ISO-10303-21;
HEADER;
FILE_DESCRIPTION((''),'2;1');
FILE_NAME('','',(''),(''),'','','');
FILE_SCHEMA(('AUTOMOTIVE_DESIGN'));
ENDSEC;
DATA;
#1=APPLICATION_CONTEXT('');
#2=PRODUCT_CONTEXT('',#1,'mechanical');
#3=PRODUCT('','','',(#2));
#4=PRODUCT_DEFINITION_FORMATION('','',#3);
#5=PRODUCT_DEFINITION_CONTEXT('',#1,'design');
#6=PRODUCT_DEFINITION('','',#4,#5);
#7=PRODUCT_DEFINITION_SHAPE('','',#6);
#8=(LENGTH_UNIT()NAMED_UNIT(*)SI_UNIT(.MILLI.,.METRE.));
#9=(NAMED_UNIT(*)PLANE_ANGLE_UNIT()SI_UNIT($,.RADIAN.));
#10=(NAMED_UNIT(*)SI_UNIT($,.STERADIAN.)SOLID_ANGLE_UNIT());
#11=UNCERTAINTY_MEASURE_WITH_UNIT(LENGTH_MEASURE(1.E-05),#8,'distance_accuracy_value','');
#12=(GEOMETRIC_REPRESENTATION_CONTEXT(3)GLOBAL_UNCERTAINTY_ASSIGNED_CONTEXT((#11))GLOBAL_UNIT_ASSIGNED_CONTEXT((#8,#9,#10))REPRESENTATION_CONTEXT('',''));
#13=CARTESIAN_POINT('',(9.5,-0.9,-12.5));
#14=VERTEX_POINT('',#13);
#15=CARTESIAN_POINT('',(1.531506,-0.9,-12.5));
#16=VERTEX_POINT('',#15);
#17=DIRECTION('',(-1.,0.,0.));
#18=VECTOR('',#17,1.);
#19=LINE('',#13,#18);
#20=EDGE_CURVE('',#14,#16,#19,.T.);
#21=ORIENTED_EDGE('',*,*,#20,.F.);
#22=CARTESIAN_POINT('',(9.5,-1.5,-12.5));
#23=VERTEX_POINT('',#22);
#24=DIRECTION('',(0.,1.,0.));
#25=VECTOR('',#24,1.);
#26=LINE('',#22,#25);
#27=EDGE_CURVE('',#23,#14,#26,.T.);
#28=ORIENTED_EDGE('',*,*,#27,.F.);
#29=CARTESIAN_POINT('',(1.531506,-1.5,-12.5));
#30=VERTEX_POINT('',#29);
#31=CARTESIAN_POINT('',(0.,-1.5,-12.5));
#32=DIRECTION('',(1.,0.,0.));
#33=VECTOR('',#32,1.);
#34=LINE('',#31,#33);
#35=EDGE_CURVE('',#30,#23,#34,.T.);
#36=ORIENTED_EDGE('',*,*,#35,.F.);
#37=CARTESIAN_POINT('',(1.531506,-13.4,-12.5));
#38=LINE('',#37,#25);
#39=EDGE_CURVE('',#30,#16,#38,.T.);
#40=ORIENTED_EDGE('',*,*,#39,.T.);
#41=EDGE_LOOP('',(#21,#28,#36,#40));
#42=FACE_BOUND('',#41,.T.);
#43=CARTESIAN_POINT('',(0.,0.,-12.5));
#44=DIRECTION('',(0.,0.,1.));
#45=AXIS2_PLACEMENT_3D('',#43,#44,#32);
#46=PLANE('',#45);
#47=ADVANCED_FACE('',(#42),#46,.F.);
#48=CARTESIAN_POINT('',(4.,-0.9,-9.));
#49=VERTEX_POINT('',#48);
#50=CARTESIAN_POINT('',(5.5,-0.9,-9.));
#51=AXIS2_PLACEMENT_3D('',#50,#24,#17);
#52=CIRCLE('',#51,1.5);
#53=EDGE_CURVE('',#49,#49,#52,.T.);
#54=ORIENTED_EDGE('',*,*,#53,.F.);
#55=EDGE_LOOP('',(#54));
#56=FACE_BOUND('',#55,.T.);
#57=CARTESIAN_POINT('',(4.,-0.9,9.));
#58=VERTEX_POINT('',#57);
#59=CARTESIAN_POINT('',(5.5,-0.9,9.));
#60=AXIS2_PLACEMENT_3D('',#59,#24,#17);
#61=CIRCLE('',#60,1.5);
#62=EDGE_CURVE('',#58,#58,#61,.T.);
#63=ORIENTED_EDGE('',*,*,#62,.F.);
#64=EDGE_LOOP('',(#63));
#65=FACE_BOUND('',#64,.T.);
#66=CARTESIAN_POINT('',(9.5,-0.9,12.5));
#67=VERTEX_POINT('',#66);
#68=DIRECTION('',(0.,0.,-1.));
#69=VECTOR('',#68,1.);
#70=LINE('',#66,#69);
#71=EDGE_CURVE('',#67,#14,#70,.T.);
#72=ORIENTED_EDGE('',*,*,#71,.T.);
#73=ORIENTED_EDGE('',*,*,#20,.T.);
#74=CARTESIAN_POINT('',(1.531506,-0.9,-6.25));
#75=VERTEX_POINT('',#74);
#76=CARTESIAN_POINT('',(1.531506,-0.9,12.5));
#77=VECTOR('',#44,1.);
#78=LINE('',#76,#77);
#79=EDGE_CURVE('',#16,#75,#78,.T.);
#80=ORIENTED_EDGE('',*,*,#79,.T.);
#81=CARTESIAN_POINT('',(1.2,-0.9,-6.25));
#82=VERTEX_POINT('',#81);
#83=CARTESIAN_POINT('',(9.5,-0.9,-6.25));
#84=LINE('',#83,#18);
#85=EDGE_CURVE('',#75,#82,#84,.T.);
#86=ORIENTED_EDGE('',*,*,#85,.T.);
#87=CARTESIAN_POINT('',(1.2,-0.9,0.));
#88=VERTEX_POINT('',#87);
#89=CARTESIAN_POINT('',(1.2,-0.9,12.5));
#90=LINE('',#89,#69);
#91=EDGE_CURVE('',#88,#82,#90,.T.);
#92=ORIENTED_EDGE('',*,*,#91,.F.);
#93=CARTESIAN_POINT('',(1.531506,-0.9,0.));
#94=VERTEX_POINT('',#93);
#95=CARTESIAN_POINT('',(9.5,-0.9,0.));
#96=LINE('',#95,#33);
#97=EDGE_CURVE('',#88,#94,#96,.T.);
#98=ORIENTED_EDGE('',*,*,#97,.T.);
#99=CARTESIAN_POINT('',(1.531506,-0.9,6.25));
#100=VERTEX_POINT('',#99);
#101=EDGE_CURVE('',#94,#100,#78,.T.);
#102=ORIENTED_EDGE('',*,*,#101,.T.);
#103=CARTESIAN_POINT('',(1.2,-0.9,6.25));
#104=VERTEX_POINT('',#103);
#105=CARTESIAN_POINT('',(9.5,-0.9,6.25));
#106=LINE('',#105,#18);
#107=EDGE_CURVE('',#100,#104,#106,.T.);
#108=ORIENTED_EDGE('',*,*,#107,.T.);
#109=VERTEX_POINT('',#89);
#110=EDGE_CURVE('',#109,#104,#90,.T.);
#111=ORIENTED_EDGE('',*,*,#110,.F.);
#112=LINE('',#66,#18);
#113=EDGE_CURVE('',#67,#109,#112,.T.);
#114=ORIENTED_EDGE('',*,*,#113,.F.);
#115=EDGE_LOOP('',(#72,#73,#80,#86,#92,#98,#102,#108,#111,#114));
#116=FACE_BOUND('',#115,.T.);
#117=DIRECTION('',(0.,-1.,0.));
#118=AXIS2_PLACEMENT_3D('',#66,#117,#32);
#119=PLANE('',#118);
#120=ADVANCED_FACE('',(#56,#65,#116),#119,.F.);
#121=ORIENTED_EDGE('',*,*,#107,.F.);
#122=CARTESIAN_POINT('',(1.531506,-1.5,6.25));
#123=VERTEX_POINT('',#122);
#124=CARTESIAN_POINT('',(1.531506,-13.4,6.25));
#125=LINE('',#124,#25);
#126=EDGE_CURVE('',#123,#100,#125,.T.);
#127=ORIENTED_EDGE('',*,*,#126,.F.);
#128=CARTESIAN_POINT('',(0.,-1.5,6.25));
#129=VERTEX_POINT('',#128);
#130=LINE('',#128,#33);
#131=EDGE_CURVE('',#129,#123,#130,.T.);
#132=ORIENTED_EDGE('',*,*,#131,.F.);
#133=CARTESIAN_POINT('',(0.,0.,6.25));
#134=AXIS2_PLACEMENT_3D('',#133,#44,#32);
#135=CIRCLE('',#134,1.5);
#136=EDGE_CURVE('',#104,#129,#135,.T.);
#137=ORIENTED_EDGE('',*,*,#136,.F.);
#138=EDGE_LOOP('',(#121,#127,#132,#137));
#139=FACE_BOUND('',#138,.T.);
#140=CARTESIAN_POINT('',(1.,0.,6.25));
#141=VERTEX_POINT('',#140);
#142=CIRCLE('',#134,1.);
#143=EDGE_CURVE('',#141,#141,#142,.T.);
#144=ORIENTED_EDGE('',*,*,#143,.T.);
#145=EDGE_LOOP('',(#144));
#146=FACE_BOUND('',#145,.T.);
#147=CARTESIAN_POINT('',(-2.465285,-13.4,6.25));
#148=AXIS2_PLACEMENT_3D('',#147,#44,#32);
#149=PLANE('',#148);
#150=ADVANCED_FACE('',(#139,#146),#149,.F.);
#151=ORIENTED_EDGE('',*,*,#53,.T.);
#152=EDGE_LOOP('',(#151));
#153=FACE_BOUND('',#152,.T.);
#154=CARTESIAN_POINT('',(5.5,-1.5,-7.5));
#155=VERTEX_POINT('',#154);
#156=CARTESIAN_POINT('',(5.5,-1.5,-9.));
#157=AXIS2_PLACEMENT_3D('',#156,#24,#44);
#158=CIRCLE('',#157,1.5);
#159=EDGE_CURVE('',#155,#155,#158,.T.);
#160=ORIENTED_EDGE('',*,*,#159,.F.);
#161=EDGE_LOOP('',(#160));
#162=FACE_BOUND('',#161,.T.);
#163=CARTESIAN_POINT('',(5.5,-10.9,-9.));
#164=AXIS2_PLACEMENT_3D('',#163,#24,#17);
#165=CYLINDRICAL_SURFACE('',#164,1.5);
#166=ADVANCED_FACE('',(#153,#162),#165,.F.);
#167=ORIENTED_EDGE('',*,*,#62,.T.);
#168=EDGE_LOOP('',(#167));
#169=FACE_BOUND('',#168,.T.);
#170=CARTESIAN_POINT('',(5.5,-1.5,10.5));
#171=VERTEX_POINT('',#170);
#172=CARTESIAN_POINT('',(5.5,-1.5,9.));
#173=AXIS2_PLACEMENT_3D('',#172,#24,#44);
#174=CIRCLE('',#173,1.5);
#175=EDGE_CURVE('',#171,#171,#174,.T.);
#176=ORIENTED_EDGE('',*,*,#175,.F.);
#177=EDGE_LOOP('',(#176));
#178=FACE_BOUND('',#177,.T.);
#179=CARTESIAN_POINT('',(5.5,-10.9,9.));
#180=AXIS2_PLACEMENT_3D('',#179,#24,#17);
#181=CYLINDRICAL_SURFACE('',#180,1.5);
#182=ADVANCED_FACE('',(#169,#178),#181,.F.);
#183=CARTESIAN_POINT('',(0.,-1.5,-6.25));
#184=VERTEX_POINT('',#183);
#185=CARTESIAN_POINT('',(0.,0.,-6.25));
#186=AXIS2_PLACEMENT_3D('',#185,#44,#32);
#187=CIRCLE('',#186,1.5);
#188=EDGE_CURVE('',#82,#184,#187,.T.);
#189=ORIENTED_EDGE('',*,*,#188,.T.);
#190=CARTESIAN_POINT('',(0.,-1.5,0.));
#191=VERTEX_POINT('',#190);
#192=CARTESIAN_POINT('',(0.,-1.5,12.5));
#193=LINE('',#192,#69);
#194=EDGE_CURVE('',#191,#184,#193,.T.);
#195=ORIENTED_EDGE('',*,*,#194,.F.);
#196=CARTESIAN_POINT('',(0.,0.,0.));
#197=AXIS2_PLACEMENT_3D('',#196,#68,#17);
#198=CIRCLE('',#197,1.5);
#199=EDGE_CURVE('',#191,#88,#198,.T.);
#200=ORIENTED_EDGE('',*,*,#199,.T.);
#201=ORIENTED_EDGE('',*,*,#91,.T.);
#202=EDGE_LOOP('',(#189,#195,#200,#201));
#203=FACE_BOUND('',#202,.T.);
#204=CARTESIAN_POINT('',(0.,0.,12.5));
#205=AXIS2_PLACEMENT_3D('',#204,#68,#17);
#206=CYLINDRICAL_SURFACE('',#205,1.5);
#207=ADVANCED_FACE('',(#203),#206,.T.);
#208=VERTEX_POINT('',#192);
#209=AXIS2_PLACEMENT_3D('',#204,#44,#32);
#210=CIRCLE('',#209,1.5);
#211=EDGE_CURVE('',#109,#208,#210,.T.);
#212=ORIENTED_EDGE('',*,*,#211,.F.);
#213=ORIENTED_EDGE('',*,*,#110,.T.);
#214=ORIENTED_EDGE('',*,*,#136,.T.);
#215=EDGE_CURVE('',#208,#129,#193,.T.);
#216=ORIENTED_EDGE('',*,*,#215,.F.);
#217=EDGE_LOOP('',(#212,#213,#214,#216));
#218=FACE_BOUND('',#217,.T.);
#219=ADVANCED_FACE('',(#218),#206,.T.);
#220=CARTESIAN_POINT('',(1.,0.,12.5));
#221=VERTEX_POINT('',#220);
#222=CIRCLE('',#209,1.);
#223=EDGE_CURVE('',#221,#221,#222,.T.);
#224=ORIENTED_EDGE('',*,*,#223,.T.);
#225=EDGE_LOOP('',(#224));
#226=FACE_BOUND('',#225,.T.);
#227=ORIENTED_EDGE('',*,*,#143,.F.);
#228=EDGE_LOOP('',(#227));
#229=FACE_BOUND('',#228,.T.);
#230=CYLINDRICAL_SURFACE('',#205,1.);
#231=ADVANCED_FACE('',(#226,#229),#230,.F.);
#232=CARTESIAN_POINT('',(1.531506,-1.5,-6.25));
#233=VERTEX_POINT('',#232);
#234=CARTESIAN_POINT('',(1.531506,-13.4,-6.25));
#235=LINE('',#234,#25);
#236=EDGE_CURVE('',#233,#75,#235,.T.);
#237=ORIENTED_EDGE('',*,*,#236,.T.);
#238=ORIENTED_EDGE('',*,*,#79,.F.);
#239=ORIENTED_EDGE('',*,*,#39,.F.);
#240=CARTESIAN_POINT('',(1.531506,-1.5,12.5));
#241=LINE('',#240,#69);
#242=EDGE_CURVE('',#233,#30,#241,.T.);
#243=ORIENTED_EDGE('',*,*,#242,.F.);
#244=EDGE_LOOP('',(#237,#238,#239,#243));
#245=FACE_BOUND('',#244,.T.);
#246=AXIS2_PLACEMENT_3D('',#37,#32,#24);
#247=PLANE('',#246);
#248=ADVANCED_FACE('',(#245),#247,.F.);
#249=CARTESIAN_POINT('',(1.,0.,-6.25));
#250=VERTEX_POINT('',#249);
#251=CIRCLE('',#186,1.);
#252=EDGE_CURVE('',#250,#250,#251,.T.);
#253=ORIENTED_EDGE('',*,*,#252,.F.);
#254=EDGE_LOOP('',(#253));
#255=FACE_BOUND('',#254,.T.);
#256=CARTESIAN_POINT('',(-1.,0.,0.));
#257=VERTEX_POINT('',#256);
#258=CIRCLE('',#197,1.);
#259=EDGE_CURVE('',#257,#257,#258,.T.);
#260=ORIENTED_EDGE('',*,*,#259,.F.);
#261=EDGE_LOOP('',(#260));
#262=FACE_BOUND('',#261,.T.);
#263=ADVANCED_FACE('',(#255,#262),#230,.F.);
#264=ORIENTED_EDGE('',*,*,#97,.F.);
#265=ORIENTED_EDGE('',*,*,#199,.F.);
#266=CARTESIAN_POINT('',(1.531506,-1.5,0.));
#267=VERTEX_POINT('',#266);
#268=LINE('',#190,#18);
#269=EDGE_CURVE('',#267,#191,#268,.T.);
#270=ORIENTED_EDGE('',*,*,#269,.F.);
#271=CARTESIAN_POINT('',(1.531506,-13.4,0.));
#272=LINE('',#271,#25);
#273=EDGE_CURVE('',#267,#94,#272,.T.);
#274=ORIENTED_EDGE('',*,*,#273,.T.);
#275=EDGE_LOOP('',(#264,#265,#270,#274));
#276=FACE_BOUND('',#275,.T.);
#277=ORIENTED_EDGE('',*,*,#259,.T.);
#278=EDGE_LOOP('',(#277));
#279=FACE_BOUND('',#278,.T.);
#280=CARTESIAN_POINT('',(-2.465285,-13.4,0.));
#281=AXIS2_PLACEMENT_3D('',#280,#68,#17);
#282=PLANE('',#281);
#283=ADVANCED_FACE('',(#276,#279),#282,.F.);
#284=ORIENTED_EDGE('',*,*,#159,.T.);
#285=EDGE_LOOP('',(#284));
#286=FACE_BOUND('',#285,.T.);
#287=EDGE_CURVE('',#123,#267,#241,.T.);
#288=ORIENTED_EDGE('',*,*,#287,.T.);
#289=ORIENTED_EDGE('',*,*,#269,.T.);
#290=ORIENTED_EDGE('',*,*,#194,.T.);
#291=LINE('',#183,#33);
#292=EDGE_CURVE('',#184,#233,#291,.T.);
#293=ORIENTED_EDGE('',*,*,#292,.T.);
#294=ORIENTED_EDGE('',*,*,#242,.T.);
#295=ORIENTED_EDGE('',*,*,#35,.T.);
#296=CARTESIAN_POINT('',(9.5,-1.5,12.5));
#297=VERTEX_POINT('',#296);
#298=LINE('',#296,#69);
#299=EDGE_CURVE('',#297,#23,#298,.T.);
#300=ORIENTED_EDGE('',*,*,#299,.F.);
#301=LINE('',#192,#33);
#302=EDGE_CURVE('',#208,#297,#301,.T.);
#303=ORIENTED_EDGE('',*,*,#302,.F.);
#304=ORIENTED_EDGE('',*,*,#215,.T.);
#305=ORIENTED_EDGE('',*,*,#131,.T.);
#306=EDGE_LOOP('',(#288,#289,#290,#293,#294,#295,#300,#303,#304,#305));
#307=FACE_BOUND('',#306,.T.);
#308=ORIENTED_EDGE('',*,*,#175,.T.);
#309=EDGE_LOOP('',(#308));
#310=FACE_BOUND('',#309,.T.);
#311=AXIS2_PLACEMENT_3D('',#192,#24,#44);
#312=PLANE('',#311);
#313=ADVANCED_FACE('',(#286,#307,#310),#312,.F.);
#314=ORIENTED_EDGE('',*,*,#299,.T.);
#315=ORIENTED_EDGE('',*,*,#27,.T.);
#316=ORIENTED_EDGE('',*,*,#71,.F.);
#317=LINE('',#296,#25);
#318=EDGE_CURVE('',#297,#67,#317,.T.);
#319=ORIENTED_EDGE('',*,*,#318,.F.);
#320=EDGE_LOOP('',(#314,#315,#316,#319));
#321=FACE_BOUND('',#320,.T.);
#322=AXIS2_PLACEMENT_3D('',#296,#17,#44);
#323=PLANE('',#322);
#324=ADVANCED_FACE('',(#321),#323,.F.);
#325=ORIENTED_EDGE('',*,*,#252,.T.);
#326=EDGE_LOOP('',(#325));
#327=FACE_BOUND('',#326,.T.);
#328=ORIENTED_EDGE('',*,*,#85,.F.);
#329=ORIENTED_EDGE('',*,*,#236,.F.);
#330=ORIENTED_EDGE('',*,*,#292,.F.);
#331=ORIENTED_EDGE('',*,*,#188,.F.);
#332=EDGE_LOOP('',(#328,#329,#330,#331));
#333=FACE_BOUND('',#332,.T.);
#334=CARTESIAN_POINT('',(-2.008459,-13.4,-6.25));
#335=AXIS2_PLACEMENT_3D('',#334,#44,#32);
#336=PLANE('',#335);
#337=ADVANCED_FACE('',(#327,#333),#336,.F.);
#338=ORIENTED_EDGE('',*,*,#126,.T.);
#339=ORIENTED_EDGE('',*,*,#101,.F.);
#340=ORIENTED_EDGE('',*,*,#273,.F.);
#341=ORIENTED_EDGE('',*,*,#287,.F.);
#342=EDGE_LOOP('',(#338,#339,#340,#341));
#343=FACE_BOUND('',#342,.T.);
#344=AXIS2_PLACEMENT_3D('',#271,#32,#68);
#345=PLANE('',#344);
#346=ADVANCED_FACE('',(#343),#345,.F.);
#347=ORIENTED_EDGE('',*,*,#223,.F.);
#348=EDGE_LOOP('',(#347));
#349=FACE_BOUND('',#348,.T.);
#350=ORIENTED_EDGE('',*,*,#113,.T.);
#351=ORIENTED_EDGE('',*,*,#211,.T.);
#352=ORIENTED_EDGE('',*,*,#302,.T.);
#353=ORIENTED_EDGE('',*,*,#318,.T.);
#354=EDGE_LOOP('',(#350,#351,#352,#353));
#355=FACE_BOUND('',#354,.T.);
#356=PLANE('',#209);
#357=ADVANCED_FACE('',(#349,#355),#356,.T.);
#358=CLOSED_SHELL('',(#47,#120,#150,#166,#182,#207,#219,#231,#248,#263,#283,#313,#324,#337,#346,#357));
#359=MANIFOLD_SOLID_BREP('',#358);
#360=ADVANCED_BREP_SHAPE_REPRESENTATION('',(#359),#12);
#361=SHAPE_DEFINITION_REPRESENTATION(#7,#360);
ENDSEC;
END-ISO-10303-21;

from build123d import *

# Parameters (mm, degrees)
SKETCH_2_R          = 1
EXTRUDE_1_DEPTH     = 12.5
SKETCH_3_W          = 3.539964401
SKETCH_3_H          = 6.25
SKETCH_3_W_2        = 3.996790544
CUT_EXTRUDE_1_DEPTH = 12.5
SKETCH_4_R          = 1.5
CUT_EXTRUDE_2_DEPTH = 10


with BuildPart() as part:
    # 草图2 → 凸台-拉伸1 (new, symmetric)
    with BuildSketch(Plane.XY):
        with BuildLine():
            Line((0, -1.5), (9.5, -1.5))
            Line((9.5, -1.5), (9.5, -0.9))
            Line((9.5, -0.9), (1.2, -0.9))
            ThreePointArc((1.2, -0.9), (-0.670820393, 1.341640786), (0, -1.5))
        make_face()
        Circle(SKETCH_2_R, mode=Mode.SUBTRACT)
    extrude(amount=EXTRUDE_1_DEPTH, both=True)

    # 草图3 → 切除-拉伸1 (cut, symmetric)
    with BuildSketch(Plane(origin=(0, -0.9, 0), x_dir=(1, 0, 0), z_dir=(0, 1, 0))):
        with Locations((-0.238476372, 9.375)):
            Rectangle(SKETCH_3_W, SKETCH_3_H)
        with Locations((-0.466889443, -3.125)):
            Rectangle(SKETCH_3_W_2, SKETCH_3_H)
    extrude(amount=CUT_EXTRUDE_1_DEPTH, both=True, mode=Mode.SUBTRACT)

    # 草图4 → 切除-拉伸2 (cut)
    with BuildSketch(Plane(origin=(0, -0.9, 0), x_dir=(1, 0, 0), z_dir=(0, 1, 0))):
        with Locations(Location((5.5, 9, 0), (0, 0, 180))):
            Circle(SKETCH_4_R)
        with Locations(Location((5.5, -9, 0), (0, 0, 180))):
            Circle(SKETCH_4_R)
    extrude(amount=-CUT_EXTRUDE_2_DEPTH, mode=Mode.SUBTRACT)


solid = part.part
